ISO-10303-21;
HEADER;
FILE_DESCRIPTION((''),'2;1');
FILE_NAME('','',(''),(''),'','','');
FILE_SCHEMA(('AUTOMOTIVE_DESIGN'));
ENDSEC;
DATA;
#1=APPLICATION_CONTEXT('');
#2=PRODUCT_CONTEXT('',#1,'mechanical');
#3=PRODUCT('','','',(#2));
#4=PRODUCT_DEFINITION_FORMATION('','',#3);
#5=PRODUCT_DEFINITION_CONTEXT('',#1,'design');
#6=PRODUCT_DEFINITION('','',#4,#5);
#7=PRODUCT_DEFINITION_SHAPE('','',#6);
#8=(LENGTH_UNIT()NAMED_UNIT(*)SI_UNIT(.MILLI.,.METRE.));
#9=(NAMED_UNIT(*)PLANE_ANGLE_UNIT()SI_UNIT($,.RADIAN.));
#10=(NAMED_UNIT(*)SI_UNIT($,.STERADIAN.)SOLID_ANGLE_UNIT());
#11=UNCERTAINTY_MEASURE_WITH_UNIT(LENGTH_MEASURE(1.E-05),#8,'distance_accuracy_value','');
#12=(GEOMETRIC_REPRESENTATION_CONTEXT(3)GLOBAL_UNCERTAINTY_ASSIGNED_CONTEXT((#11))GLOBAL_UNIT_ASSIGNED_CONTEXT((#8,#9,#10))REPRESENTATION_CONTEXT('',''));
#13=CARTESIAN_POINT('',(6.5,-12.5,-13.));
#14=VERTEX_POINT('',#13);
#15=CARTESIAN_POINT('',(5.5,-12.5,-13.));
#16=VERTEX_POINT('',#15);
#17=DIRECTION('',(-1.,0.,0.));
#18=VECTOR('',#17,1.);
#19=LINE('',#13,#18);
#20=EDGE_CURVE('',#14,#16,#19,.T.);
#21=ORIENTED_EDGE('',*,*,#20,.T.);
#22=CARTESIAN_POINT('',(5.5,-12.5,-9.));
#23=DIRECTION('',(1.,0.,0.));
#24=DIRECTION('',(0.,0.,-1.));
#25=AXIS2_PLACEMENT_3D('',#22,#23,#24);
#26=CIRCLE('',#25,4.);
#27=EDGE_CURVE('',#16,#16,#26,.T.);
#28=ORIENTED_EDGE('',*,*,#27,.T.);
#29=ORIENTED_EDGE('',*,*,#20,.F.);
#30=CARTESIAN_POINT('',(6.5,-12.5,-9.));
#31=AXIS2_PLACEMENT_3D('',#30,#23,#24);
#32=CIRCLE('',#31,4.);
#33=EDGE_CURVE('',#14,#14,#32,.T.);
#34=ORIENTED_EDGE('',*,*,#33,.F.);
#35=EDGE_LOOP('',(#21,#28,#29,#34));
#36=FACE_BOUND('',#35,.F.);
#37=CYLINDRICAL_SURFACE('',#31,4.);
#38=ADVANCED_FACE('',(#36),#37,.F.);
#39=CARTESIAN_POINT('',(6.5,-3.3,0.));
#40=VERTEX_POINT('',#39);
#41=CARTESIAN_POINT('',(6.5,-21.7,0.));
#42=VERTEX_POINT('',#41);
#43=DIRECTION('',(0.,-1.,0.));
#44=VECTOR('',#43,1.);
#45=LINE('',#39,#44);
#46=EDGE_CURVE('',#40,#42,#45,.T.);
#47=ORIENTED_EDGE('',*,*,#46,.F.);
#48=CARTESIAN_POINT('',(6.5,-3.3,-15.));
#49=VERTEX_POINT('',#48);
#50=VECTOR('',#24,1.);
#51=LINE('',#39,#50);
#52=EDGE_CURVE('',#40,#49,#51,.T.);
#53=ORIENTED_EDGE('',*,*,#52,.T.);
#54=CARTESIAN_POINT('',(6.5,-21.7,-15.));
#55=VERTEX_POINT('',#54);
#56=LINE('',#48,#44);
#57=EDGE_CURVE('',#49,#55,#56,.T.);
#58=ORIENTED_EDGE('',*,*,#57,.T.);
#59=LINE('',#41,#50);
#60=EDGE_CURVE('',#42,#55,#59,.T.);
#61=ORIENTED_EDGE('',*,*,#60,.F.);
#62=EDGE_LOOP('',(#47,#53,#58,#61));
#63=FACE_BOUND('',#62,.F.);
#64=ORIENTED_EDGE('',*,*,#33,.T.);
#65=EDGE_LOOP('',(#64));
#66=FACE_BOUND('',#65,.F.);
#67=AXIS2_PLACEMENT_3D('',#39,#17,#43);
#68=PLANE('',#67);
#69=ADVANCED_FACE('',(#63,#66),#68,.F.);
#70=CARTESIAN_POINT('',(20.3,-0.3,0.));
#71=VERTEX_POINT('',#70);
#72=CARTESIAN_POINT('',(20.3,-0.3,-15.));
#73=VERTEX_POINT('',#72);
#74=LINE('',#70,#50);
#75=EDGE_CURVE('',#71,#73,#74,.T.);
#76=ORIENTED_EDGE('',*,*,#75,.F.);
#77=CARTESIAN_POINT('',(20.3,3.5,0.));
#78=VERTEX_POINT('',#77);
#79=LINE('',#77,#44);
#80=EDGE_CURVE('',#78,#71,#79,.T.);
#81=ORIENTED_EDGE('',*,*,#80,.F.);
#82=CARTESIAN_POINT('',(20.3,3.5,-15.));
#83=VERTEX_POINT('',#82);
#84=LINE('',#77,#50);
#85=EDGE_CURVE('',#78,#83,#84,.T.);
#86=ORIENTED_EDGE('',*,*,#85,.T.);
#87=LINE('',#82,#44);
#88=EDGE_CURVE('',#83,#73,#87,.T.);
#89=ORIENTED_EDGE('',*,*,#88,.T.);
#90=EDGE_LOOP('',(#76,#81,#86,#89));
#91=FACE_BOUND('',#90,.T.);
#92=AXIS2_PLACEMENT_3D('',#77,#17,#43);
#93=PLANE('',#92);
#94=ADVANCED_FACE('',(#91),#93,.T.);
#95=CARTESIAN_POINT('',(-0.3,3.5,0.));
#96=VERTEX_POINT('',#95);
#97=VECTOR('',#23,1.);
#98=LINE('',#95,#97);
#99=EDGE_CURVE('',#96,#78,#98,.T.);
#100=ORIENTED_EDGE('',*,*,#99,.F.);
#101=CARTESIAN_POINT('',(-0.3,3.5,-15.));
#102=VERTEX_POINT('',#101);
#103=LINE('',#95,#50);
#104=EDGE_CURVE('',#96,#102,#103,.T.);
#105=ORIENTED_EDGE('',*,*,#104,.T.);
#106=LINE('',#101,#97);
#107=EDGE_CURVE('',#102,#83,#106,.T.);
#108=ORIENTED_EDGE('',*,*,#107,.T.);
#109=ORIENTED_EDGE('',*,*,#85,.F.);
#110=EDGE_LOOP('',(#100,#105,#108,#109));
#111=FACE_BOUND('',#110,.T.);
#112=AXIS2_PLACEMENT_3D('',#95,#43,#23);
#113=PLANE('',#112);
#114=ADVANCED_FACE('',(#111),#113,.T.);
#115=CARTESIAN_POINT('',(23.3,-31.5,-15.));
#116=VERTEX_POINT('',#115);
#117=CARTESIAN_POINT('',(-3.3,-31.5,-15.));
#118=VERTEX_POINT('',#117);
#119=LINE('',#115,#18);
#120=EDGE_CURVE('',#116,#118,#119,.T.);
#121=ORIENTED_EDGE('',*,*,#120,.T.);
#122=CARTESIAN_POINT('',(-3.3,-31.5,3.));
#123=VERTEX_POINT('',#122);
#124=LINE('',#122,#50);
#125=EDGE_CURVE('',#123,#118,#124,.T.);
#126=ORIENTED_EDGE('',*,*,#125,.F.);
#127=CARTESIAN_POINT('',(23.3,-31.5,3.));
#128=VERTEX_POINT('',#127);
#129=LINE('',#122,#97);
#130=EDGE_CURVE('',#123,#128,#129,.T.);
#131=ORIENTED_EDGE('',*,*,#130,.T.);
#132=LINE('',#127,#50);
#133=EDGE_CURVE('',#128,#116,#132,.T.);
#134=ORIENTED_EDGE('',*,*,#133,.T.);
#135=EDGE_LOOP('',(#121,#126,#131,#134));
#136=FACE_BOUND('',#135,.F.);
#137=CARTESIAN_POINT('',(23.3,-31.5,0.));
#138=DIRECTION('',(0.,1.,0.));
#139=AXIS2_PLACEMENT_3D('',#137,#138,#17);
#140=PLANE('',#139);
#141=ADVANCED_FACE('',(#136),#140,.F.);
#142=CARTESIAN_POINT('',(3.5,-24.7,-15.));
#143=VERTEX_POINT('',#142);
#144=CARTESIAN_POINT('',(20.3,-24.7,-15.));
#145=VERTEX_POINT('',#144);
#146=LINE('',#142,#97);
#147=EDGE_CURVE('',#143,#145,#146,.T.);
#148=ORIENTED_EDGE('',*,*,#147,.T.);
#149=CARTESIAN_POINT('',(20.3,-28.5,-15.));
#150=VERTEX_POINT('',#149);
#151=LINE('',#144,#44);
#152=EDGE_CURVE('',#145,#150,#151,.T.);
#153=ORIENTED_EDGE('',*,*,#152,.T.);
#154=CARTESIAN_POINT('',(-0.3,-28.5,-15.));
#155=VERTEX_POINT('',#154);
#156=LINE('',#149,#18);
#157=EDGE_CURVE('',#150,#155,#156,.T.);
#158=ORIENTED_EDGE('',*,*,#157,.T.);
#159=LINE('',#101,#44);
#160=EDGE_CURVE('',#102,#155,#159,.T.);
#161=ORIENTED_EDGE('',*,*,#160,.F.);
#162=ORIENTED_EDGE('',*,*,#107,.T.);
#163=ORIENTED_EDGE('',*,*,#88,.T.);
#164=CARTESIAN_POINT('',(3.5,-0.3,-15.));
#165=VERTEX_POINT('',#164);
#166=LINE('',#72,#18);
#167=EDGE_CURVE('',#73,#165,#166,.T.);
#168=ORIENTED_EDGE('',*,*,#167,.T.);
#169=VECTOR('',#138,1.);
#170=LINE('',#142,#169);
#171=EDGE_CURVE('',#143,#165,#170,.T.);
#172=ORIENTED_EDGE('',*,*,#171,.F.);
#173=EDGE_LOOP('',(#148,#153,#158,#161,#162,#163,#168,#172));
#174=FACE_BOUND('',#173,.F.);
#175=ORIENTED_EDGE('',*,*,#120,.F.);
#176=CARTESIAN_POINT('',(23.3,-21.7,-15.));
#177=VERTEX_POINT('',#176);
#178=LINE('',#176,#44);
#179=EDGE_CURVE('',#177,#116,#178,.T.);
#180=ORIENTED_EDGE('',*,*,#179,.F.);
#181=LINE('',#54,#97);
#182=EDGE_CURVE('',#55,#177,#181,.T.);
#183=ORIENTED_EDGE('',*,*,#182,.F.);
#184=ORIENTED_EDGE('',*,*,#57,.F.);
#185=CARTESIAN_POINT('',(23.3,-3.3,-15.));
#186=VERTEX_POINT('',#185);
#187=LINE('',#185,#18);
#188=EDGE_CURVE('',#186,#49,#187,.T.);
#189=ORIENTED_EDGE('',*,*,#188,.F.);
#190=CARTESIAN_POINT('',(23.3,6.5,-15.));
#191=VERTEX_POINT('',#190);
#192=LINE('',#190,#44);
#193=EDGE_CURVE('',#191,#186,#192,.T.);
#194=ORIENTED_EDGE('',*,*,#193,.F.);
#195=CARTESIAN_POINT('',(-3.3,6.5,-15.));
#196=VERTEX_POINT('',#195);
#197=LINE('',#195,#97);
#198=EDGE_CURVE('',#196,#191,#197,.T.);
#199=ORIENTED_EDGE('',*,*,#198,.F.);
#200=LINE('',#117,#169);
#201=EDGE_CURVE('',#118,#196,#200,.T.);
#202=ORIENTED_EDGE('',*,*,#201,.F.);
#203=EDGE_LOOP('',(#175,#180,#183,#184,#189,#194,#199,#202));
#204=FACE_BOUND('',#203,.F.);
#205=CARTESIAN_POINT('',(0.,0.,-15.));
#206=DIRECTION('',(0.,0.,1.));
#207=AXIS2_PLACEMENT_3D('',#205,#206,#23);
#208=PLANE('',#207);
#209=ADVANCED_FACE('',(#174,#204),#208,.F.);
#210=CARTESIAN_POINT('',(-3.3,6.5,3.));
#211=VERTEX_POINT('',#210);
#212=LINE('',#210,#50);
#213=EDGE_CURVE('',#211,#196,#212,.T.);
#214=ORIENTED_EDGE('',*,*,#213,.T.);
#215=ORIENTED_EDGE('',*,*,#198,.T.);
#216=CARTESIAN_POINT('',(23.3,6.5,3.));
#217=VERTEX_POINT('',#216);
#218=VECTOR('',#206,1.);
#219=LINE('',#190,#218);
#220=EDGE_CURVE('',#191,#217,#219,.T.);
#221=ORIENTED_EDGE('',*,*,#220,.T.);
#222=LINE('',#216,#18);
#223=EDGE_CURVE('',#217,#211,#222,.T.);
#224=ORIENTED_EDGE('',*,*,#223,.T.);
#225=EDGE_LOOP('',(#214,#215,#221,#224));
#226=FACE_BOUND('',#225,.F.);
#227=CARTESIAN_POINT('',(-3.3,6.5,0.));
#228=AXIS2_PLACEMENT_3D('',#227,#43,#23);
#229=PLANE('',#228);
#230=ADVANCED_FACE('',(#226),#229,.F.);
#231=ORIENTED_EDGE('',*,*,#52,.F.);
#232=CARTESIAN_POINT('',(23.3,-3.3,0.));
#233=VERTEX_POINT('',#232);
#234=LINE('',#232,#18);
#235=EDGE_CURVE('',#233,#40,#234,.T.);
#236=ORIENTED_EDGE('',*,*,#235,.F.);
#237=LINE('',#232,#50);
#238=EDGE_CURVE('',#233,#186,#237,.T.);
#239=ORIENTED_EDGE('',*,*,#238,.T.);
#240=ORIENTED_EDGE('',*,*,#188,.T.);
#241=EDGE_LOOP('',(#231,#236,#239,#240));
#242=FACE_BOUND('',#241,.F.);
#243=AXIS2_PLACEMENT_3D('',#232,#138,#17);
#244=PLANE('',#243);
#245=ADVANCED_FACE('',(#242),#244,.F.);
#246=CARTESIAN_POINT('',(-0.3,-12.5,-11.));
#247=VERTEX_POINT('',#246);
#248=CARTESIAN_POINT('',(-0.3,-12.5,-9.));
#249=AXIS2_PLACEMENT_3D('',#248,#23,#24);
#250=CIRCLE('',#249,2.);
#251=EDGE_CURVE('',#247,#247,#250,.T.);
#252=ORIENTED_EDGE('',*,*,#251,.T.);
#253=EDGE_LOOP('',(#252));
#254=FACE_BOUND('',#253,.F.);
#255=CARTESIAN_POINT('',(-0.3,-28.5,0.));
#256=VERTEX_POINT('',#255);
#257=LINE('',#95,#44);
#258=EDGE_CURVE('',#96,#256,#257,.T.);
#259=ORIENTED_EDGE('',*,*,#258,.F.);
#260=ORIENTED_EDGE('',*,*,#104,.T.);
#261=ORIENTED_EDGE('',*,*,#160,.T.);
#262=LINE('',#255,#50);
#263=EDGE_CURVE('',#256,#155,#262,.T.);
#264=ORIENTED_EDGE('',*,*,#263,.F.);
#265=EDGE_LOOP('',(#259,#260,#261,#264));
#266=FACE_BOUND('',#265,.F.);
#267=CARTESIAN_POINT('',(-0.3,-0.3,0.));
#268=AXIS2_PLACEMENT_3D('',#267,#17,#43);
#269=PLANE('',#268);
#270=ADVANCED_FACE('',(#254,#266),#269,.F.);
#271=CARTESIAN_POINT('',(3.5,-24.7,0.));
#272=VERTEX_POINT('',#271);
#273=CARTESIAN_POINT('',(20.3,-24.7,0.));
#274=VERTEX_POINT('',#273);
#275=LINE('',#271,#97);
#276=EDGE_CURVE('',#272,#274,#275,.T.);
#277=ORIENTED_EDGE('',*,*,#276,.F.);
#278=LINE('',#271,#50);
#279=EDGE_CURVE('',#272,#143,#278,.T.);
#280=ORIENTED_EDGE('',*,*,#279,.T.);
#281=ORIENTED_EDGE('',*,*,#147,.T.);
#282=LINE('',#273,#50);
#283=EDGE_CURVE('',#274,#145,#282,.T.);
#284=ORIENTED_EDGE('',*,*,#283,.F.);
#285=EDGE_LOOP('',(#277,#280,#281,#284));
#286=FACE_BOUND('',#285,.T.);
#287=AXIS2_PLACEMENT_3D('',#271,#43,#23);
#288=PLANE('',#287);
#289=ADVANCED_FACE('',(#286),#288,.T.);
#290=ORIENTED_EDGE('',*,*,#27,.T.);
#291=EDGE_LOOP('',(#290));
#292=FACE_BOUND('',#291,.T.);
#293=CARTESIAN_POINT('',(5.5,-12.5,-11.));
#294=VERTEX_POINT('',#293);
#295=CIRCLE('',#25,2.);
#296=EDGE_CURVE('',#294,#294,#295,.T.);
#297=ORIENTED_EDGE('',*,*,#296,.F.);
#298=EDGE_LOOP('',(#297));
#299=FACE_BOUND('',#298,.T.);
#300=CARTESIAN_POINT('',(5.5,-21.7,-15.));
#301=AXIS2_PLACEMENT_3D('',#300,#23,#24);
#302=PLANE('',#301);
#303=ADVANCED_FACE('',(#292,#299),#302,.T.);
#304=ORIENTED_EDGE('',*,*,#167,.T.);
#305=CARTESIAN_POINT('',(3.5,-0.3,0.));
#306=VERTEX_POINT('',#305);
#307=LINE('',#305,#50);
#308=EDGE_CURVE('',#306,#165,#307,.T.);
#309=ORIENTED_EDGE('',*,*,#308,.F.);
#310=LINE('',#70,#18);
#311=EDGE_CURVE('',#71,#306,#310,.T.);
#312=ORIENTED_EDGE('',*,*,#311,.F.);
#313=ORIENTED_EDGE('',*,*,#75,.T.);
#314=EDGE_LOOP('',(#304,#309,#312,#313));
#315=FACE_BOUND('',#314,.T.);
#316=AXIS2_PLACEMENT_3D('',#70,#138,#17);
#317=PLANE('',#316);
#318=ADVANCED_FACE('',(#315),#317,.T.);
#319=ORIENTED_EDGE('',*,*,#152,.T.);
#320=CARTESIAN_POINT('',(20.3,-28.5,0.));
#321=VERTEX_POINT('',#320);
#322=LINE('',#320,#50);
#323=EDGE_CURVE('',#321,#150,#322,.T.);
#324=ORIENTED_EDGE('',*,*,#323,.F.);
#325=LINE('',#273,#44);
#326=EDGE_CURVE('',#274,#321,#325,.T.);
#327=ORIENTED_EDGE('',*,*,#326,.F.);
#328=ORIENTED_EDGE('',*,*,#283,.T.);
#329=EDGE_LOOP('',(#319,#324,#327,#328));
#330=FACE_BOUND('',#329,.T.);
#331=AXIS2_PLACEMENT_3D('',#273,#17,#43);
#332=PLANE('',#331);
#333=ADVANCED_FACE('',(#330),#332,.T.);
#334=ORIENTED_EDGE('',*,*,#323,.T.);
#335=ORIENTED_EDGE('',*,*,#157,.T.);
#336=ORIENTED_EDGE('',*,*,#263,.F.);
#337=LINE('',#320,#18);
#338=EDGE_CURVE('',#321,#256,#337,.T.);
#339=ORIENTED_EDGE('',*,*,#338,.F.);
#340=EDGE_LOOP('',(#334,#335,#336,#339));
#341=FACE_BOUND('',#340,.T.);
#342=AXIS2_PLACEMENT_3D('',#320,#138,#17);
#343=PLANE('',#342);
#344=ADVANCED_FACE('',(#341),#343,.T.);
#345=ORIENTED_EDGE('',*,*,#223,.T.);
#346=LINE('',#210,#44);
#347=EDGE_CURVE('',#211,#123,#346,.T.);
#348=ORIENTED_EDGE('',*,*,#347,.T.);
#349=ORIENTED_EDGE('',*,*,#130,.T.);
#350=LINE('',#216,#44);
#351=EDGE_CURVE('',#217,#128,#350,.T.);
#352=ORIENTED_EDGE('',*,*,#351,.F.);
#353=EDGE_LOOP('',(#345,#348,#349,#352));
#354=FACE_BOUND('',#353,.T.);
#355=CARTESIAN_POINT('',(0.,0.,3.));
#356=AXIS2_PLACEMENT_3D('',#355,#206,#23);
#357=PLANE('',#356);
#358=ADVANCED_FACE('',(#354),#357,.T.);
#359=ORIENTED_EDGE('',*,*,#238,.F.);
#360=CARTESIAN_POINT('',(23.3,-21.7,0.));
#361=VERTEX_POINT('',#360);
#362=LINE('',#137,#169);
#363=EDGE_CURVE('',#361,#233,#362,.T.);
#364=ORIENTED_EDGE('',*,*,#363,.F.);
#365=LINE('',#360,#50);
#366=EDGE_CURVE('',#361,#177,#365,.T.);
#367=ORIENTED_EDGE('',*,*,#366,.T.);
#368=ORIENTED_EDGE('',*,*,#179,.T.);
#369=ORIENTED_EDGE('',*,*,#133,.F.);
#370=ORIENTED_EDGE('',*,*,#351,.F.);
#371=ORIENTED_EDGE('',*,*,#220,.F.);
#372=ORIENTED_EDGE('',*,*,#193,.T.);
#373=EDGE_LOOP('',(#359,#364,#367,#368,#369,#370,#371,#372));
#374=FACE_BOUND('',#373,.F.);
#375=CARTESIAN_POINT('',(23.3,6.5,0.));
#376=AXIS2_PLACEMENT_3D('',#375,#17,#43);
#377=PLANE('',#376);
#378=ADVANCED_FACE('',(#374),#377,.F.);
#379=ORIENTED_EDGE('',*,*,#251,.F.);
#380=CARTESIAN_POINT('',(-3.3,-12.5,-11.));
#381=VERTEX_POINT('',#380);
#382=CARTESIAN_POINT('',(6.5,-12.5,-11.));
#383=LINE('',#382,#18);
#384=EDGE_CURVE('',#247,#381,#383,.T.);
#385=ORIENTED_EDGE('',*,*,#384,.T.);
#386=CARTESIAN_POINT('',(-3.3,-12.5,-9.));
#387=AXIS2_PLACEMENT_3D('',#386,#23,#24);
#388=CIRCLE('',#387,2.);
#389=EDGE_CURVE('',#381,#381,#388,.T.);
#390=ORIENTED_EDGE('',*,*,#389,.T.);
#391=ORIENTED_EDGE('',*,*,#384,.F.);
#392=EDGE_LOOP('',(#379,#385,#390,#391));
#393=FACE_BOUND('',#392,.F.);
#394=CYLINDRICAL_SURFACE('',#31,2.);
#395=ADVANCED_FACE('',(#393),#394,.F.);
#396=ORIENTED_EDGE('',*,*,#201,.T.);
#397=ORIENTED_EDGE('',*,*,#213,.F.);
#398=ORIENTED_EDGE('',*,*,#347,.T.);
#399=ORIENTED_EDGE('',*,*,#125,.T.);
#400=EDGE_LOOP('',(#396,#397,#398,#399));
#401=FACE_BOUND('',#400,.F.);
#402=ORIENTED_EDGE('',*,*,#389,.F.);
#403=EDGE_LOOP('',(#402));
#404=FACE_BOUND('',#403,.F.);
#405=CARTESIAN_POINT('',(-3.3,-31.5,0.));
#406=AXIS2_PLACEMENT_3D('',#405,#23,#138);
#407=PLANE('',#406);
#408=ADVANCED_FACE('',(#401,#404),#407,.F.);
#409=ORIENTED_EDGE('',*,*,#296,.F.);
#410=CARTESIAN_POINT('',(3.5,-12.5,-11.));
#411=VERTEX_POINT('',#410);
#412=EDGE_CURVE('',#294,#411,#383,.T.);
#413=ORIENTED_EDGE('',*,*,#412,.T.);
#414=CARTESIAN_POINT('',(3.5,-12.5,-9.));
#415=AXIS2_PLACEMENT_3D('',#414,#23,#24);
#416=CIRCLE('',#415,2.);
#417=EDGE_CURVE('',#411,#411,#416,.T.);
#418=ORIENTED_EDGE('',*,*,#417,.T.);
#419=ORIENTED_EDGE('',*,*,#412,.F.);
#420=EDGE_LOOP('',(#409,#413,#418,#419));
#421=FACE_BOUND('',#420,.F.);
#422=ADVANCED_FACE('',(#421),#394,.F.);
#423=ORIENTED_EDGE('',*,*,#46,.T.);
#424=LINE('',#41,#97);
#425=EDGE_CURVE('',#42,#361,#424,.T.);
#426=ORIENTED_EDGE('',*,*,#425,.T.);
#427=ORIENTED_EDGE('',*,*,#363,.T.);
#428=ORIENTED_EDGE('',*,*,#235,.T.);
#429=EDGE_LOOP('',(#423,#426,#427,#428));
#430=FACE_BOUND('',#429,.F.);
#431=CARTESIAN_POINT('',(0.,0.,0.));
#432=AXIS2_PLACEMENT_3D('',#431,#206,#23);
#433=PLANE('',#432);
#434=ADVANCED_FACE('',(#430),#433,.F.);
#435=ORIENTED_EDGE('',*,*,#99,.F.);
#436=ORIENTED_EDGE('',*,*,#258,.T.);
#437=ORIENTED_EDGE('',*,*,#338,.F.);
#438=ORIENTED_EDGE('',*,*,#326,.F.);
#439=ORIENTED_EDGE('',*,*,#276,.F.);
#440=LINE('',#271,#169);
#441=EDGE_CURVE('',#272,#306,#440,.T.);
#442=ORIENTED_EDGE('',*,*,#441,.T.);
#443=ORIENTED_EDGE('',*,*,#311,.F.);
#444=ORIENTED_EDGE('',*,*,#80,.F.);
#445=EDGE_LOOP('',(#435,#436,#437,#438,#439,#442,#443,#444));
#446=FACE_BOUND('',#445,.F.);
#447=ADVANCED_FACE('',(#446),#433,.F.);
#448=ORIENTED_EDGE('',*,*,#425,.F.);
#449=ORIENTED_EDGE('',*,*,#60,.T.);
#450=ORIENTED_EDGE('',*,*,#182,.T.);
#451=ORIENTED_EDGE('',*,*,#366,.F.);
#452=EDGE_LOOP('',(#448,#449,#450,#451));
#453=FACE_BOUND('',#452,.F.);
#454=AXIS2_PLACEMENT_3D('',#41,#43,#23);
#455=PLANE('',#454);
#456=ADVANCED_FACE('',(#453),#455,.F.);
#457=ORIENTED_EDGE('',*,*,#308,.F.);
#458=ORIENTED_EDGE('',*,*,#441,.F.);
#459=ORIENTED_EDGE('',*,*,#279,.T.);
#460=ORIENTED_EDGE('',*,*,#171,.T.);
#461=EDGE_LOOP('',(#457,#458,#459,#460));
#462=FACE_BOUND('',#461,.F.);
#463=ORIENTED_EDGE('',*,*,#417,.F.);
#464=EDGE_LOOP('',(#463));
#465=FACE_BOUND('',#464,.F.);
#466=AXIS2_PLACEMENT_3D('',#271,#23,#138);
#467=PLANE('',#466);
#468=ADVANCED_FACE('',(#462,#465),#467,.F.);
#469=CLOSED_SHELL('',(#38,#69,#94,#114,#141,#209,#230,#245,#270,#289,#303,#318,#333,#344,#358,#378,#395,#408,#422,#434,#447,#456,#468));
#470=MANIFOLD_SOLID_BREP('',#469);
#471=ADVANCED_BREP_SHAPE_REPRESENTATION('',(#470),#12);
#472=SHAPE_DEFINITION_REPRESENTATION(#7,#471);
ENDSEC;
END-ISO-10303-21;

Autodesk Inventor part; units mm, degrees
ref_plane "YZ Plane" through (0, 0, 0) normal (1, 0, 0) x (0, 1, 0)
ref_plane "XZ Plane" through (0, 0, 0) normal (0, 1, 0) x (-1, 0, 0)
ref_plane "XY Plane" through (0, 0, 0) normal (0, 0, 1) x (1, 0, 0)
sketch "Sketch1" plane through (0, 0, 0) normal (0, 0, 1) x (1, 0, 0)
  line L0 (0, 0) -> (20, 0) projected
  line L1 (20, 0) -> (20, 3.2) projected
  line L2 (0, 3.2) -> (20, 3.2) projected
  line L3 (0, 0) -> (0, 3.2) projected
  line L4 (20, -25) -> (0, -25) projected
  line L5 (0, -25) -> (0, -28.2) projected
  line L6 (20, -28.2) -> (0, -28.2) projected
  line L7 (20, -25) -> (20, -28.2) projected
  line L8 (3.2, -25) -> (3.2, 0) projected
  line L9 (0, -25) -> (0, 0) projected
  line L10 (-0.3, -0.3) -> (-0.3, 3.5)
  line L11 (-0.3, 3.5) -> (20.3, 3.5)
  line L12 (20.3, 3.5) -> (20.3, -0.3)
  line L13 (20.3, -24.7) -> (20.3, -28.5)
  line L14 (20.3, -28.5) -> (-0.3, -28.5)
  line L15 (-0.3, -28.5) -> (-0.3, -24.7)
  line L16 (3.5, -24.7) -> (3.5, -0.3)
  line L17 (-0.3, -0.3) -> (-0.3, -24.7)
  line L18 (20.3, -0.3) -> (3.5, -0.3)
  line L19 (3.5, -24.7) -> (20.3, -24.7)
  line L20 (6.5, -3.3) -> (6.5, -21.7)
  line L21 (6.5, -21.7) -> (23.3, -21.7)
  line L22 (23.3, -21.7) -> (23.3, -31.5)
  line L23 (23.3, -31.5) -> (-3.3, -31.5)
  line L24 (-3.3, -31.5) -> (-3.3, -24.7)
  line L25 (-3.3, -24.7) -> (-3.3, -0.3)
  line L26 (-3.3, -0.3) -> (-3.3, 6.5)
  line L27 (-3.3, 6.5) -> (23.3, 6.5)
  line L28 (23.3, 6.5) -> (23.3, -3.3)
  line L29 (23.3, -3.3) -> (6.5, -3.3)
  dimension "d2" = 0.3
  dimension "d3" = 0.3
  dimension "d4" = 0.3
  dimension "d5" = 24.4
  dimension "d6" = 3.8
  dimension "d7" = 3
extrude "Extrusion1" add sketch "Sketch1" against normal blind 15 contours L20 L21 L22 L23 L24 L25 L26 L27 L28 L29
sketch "Sketch4" plane through (0, 0, 0) normal (0, 0, 1) x (1, 0, 0)
  line L0 (23.3, -3.3) -> (23.3, 6.5) projected
  line L1 (23.3, 6.5) -> (-3.3, 6.5) projected
  line L2 (23.3, -3.3) -> (6.5, -3.3) projected
  line L3 (6.5, -3.3) -> (6.5, -21.7) projected
  line L4 (6.5, -21.7) -> (23.3, -21.7) projected
  line L5 (-3.3, -0.3) -> (-3.3, 6.5) projected
  line L6 (-3.3, -31.5) -> (23.3, -31.5) projected
  line L7 (23.3, -31.5) -> (23.3, -21.7) projected
  line L8 (23.3, -21.7) -> (6.5, -21.7) projected
  line L9 (23.3, 6.5) -> (23.3, -3.3) projected
  line L10 (23.3, -3.3) -> (23.3, 6.5)
  line L11 (-3.3, -31.5) -> (-3.3, 6.5) projected
  line L12 (23.3, 6.5) -> (-3.3, 6.5)
  line L13 (-3.3, 6.5) -> (-3.3, -31.5)
  line L14 (23.3, -31.5) -> (-3.3, -31.5) projected
  line L15 (-3.3, -31.5) -> (23.3, -31.5)
  line L16 (23.3, -21.7) -> (23.3, -31.5) projected
  line L17 (23.3, -31.5) -> (23.3, -21.7)
  line L18 (6.5, -3.3) -> (6.5, -21.7) projected
  line L19 (23.3, -3.3) -> (6.5, -3.3) projected
  line L20 (6.5, -3.3) -> (23.3, -3.3) projected
  line L21 (23.3, -3.3) -> (23.3, -21.7)
  point P0 (0, 0)
extrude "Extrusion3" add sketch "Sketch4" along normal blind 3
sketch "Sketch5" plane through (6.5, -21.7, -15) normal (1, 0, 0) x (0, 0, -1)
  line L0 (0, 18.4) -> (0, 0) projected
  line L1 (-15, 18.4) -> (0, 18.4) projected
  line L2 (-15, 0) -> (0, 0) projected
  line L3 (-15, 0) -> (-15, 18.4) projected
  circle A0 centre (-6, 9.2) radius 2
  circle A1 centre (-6, 9.2) radius 4
  point P0 (-15, 21.7)
  dimension "d14" = 4
  dimension "d15" = 6
  dimension "d16" = 8
  dimension "d17" = 9.2
extrude "Extrusion4" cut sketch "Sketch5" against normal blind 1 contours A1
extrude "Extrusion5" cut sketch "Sketch5" against normal blind 80 contours A0
properties part number "Tope_Carril"
